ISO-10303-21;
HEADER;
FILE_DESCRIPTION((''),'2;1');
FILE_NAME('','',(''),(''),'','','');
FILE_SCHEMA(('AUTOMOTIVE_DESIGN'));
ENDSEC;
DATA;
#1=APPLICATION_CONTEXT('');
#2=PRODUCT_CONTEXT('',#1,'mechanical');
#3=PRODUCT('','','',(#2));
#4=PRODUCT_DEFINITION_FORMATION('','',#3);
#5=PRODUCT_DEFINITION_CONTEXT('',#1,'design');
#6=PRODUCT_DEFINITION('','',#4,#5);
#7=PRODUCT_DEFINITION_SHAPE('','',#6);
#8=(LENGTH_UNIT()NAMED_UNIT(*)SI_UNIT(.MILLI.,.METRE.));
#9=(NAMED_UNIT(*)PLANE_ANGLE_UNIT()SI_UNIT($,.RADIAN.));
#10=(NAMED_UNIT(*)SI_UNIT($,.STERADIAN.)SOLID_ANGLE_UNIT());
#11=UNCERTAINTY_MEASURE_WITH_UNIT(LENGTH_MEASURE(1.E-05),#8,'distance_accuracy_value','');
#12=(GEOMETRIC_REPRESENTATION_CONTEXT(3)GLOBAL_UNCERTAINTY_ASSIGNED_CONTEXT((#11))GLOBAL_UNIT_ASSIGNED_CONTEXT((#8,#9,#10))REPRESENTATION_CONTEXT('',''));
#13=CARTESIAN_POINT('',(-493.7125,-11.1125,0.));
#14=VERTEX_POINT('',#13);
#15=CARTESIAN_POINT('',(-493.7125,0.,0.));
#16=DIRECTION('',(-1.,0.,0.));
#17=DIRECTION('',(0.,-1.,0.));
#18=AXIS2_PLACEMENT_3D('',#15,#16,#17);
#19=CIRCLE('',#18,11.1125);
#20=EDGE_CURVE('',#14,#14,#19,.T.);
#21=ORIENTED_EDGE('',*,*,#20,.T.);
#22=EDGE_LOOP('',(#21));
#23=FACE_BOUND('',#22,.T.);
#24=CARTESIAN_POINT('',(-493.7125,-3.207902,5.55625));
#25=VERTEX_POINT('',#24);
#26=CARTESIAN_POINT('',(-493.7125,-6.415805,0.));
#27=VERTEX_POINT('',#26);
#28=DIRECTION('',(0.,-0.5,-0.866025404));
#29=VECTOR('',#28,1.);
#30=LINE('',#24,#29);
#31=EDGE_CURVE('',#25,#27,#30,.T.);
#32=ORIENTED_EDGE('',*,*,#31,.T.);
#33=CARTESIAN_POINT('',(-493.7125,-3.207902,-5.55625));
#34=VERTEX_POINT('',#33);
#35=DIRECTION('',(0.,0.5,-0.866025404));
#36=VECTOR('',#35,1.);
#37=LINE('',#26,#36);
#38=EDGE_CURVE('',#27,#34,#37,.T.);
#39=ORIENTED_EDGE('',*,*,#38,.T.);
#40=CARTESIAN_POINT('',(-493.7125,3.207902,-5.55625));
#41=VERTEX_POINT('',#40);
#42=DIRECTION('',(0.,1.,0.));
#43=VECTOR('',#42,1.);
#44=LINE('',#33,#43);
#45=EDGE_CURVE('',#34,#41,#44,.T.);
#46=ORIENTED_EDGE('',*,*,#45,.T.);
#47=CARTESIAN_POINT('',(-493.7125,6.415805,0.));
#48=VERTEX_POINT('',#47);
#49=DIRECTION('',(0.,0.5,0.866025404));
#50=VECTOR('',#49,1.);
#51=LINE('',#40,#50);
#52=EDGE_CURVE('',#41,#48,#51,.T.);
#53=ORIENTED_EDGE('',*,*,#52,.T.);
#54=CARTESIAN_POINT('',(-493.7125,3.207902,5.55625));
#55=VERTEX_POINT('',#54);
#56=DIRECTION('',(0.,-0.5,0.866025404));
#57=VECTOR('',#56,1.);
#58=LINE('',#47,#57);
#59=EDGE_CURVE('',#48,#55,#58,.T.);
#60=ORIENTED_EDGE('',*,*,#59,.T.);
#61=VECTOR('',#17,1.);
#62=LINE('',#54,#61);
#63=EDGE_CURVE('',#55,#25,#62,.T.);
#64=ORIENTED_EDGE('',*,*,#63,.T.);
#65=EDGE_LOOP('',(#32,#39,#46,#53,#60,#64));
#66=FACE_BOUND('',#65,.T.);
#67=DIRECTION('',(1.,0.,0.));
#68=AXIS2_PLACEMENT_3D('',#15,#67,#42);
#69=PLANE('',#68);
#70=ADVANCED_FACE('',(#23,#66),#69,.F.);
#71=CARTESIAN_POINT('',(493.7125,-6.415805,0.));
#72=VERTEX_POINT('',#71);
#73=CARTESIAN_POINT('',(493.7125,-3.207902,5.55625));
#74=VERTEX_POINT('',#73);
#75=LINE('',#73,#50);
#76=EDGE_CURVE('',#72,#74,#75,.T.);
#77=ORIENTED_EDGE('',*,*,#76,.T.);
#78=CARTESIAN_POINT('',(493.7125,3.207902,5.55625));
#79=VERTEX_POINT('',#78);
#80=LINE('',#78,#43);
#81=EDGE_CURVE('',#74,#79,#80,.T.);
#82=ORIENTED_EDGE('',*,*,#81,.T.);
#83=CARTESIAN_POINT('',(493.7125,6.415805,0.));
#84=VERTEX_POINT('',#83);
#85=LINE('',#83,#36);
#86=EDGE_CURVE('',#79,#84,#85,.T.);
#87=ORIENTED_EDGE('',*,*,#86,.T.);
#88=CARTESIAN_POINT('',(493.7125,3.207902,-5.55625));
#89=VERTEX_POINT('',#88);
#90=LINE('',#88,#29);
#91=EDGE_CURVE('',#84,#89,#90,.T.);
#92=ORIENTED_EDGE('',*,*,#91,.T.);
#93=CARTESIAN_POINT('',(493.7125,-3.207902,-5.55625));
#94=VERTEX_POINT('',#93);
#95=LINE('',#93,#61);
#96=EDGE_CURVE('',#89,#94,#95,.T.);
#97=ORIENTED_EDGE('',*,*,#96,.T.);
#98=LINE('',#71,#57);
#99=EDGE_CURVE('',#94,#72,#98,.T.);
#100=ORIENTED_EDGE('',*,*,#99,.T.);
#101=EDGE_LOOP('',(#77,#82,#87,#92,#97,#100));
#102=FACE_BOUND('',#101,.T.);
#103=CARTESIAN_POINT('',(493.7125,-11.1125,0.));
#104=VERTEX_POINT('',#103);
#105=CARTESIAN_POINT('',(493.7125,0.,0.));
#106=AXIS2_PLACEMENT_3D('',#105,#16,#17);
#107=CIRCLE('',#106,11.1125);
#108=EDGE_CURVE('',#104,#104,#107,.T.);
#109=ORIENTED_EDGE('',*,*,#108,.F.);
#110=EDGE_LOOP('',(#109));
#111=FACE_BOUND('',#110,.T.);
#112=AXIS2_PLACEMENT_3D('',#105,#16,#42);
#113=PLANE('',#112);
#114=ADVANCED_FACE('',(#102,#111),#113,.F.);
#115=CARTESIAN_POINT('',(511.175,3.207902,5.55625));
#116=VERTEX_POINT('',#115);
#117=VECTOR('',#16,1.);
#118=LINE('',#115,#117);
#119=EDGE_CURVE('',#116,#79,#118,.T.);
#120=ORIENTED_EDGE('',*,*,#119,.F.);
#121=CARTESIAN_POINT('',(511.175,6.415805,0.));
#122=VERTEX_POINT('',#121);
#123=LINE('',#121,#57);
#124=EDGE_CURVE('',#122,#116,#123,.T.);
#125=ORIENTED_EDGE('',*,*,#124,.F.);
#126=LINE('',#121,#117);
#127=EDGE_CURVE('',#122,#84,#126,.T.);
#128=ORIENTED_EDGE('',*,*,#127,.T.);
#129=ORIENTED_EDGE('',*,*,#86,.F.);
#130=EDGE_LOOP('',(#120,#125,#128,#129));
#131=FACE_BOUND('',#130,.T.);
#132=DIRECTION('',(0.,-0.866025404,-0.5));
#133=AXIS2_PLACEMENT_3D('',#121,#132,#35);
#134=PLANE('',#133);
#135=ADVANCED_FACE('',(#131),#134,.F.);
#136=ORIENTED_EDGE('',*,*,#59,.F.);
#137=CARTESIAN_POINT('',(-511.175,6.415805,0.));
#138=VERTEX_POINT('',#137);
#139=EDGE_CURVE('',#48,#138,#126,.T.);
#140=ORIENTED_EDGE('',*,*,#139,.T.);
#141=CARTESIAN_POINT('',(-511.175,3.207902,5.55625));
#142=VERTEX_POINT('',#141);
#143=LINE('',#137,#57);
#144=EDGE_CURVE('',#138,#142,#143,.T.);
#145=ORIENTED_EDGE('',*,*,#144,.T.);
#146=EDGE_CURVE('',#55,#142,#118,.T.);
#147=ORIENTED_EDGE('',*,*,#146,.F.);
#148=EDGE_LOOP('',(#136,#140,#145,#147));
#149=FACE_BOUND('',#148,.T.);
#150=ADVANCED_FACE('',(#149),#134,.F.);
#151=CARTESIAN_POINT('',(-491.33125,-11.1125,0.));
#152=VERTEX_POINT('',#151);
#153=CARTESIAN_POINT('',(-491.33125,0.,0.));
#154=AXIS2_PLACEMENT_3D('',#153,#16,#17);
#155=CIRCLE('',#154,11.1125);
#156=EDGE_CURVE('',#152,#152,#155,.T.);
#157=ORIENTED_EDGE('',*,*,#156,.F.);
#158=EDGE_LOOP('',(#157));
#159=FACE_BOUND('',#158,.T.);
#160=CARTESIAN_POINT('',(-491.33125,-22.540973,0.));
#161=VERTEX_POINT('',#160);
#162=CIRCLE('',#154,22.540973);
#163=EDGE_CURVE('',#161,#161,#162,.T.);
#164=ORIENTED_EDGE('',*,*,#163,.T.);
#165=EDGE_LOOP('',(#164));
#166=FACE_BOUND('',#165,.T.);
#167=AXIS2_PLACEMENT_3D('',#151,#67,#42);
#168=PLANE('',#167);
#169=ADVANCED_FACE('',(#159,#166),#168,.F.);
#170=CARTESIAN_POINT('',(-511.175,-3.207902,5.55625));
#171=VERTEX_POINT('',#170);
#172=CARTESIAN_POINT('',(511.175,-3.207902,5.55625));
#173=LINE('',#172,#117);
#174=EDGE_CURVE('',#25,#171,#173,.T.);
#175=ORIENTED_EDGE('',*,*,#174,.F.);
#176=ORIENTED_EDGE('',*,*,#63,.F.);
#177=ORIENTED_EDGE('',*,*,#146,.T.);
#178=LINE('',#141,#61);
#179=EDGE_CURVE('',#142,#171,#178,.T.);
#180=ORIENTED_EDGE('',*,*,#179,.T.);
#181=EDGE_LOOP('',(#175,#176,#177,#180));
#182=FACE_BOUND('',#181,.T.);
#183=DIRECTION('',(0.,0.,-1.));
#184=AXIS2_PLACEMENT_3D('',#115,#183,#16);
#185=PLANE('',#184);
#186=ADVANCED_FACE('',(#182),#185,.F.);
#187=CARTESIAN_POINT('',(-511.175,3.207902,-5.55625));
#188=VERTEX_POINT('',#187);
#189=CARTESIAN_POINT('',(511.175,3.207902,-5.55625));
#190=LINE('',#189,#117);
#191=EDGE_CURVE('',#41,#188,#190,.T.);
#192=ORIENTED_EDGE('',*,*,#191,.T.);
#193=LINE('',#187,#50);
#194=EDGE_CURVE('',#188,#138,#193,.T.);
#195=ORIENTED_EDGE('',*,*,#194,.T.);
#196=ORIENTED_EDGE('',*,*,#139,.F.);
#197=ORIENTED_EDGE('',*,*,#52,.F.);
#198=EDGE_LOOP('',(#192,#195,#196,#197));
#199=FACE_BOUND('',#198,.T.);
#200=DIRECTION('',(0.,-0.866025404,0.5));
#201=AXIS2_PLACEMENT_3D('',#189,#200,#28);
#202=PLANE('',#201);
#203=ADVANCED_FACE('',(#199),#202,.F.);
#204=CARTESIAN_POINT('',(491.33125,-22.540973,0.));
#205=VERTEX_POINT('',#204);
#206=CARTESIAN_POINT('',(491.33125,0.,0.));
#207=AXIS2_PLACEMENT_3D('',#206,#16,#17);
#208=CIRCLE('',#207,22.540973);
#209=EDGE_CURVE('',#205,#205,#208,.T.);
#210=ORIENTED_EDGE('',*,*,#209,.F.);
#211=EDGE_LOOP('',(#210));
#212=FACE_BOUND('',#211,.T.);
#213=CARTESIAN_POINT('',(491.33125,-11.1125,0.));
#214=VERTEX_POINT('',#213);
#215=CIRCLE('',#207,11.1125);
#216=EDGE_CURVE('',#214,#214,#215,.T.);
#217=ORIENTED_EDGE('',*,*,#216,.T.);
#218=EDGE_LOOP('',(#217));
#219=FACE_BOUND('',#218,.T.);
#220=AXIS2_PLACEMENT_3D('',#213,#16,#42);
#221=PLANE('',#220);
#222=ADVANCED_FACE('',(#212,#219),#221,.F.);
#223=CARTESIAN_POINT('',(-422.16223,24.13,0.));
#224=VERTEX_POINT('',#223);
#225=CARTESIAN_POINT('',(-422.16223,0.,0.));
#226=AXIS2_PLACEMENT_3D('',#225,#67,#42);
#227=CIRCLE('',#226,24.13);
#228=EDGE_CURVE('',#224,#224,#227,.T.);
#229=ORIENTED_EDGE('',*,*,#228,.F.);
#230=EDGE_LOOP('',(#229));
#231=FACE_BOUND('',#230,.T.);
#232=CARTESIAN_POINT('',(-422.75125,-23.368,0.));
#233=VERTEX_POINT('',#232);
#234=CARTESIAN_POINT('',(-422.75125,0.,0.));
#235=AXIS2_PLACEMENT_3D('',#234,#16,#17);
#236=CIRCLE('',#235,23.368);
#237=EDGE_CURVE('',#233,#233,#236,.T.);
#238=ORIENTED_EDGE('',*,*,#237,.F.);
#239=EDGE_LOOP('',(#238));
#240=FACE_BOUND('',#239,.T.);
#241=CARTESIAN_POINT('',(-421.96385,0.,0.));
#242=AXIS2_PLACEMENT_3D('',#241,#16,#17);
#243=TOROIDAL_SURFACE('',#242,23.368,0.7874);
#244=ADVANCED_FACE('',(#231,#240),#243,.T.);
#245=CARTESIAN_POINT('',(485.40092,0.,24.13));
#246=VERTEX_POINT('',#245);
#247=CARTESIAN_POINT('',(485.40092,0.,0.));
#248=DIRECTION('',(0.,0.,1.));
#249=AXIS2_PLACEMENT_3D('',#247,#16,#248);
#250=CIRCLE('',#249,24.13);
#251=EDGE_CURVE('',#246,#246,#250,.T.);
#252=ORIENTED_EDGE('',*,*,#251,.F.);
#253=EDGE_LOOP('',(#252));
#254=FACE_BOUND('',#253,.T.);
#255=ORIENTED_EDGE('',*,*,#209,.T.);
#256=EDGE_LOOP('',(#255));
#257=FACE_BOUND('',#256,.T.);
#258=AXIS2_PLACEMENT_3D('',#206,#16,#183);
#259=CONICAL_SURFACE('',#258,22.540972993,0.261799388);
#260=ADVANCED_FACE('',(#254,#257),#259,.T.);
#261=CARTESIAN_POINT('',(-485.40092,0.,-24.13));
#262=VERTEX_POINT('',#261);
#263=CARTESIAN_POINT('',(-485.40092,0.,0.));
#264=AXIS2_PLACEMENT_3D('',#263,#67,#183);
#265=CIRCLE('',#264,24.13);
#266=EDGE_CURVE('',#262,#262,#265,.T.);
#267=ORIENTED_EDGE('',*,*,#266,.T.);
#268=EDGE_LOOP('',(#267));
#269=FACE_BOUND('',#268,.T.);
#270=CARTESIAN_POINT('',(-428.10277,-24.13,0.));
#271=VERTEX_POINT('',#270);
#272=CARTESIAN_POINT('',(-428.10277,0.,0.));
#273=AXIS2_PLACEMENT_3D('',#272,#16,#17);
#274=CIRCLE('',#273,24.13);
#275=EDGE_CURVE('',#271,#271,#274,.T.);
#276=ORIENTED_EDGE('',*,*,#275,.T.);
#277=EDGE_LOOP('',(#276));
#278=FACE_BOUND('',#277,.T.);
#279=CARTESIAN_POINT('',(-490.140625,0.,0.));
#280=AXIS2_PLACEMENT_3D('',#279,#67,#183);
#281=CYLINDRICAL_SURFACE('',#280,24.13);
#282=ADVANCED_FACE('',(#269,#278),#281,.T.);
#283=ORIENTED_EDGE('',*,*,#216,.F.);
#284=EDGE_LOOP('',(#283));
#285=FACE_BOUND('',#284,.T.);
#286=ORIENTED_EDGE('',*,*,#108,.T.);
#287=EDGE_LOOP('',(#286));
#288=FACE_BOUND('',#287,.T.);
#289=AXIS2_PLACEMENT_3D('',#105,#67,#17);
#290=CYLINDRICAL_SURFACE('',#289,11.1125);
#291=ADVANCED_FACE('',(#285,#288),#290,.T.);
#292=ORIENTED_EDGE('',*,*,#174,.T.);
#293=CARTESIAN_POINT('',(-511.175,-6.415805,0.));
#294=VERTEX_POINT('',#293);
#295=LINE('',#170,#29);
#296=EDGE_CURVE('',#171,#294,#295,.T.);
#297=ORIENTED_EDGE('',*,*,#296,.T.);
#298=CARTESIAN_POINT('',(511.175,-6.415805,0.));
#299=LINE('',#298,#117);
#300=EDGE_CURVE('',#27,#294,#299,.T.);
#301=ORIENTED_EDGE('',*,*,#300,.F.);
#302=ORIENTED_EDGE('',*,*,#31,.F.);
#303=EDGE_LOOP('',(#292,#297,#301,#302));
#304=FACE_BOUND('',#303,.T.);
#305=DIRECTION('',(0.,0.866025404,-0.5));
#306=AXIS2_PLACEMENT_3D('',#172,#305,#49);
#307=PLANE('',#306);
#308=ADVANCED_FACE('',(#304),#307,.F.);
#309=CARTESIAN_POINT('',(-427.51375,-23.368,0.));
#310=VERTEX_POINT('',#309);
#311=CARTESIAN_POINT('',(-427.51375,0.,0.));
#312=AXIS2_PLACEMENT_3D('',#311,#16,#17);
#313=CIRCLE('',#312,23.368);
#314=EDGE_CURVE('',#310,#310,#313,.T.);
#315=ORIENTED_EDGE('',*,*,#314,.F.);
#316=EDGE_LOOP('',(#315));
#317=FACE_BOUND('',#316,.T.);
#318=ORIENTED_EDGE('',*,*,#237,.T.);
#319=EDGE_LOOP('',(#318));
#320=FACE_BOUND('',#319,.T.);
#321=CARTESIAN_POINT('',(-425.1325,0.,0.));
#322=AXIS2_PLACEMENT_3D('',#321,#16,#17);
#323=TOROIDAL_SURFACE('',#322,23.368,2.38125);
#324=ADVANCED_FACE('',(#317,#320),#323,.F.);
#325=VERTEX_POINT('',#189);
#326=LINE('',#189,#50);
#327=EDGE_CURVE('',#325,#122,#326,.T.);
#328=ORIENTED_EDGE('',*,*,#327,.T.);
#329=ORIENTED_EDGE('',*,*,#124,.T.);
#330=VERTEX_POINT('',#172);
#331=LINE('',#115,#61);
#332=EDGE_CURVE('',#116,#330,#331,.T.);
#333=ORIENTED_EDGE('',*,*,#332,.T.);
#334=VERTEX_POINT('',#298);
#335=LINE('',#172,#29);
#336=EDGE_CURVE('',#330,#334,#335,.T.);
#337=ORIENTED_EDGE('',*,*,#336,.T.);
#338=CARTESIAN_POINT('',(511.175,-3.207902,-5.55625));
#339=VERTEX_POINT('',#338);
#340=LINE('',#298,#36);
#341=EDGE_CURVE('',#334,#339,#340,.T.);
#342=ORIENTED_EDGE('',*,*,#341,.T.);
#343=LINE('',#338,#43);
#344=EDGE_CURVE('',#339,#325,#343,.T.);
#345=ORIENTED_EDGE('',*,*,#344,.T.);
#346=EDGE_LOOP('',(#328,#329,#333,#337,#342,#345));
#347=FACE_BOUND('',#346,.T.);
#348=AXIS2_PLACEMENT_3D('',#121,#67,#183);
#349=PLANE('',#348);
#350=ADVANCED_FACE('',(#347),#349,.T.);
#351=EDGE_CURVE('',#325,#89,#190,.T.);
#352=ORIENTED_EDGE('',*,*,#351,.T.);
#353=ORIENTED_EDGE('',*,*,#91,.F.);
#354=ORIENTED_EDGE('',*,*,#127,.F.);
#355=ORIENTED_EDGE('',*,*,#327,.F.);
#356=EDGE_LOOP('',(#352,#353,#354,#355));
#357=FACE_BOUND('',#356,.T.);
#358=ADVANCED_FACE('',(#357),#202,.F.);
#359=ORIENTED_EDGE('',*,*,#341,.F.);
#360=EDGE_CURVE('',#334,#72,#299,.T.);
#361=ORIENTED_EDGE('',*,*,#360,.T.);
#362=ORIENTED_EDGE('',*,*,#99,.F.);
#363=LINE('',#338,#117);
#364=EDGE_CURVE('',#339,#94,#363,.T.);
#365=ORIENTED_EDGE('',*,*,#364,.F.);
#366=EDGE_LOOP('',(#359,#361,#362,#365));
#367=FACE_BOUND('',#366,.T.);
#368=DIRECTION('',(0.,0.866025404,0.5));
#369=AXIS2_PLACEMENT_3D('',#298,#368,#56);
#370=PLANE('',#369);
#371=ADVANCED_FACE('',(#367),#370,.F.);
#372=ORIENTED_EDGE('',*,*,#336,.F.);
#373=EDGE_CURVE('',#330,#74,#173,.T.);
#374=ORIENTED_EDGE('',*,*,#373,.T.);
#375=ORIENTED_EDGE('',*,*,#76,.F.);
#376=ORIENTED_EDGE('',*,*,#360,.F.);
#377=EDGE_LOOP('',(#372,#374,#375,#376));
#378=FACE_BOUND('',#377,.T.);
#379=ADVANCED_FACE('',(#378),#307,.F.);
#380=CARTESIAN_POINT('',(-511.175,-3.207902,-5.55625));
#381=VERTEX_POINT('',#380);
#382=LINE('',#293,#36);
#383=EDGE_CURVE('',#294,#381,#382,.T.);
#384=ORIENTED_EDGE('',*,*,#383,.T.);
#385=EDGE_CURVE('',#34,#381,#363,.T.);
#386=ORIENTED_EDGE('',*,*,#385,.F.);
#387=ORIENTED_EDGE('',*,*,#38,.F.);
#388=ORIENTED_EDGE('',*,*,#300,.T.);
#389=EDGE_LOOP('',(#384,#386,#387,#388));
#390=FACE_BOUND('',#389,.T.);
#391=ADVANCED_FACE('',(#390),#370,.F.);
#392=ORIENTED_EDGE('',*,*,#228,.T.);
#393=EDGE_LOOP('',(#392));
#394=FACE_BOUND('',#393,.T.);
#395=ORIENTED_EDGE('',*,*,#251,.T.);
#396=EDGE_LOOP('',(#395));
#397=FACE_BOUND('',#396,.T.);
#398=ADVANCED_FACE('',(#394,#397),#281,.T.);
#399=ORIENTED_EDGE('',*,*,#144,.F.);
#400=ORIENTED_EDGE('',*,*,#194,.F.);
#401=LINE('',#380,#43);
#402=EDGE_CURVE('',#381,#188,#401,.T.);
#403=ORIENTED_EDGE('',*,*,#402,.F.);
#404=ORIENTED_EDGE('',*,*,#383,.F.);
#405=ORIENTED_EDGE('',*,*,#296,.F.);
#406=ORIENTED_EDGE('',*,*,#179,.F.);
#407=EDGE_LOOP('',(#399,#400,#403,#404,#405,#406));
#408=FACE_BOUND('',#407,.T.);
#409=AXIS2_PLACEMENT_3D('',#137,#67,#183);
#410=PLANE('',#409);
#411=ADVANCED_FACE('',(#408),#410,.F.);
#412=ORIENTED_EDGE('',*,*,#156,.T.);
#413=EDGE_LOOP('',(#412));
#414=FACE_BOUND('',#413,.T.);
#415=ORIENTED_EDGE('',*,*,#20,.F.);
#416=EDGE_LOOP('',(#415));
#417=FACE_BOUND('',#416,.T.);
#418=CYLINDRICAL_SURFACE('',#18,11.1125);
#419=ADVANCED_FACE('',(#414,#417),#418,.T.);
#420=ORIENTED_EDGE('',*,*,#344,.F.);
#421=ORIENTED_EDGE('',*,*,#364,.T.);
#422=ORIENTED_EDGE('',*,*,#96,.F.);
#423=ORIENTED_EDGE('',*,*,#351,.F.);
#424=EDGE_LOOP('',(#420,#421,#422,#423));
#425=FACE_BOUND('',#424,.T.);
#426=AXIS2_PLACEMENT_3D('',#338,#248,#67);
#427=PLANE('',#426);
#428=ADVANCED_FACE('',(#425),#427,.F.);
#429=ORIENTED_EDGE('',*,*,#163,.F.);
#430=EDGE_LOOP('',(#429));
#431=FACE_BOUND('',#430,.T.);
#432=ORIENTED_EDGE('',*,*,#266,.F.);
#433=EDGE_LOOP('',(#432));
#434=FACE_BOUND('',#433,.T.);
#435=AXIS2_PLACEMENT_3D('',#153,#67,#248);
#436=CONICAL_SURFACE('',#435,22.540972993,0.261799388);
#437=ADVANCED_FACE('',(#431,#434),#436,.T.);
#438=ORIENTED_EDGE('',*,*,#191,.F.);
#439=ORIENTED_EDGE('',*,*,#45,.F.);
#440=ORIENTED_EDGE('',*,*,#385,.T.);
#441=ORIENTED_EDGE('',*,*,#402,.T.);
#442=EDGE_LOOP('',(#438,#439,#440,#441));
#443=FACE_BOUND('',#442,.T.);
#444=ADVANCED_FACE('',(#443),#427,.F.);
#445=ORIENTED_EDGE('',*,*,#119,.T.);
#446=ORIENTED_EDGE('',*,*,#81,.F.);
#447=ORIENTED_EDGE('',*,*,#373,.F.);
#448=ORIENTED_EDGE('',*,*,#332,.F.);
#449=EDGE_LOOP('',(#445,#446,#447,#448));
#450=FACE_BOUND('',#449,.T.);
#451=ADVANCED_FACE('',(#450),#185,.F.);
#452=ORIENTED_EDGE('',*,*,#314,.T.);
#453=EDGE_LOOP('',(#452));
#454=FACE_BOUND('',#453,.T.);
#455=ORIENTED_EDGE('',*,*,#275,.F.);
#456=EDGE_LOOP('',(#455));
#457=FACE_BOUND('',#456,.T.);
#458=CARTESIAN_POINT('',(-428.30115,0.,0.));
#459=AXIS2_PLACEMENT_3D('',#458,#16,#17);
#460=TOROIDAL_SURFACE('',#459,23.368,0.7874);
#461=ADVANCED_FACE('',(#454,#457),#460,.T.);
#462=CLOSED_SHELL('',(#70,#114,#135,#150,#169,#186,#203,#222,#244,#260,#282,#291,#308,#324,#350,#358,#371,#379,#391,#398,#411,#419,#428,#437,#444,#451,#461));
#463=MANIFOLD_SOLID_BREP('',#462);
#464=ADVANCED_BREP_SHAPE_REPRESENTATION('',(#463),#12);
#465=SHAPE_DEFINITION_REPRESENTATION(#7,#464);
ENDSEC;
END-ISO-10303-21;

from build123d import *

# Parameters (mm, degrees)
BOSS_EXTRUDE1_DEPTH      = 490.140625
BOSS_EXTRUDE1_DEPTH_BACK = 490.140625
SKETCH3_R                = 24.13
SKETCH6_OUTSIDE_W        = 776.952
SKETCH6_OUTSIDE_H        = 776.952
SKETCH6_OUTSIDE_R        = 22.540972993
CUT_EXTRUDE2_DEPTH       = 986.634670258
CUT_EXTRUDE2_DRAFT       = -15
SKETCH7_OUTSIDE_W        = 776.952
SKETCH7_OUTSIDE_H        = 776.952
SKETCH7_OUTSIDE_R        = 22.540972993
CUT_EXTRUDE3_DEPTH       = 986.634670258
CUT_EXTRUDE3_DRAFT       = -15
BOSS_EXTRUDE2_DEPTH      = 511.175
BOSS_EXTRUDE2_DEPTH_BACK = 511.175


with BuildPart() as part:
    # Sketch2 → Revolve1 (revolve)
    with BuildSketch(Plane.XY, mode=Mode.PRIVATE) as revolve1_sk:
        Polygon((-493.7125, 0), (-493.7125, 11.1125), (-491.33125, 11.1125), (-491.33125, 22.540972993), (-490.140625, 22.86), (-490.140625, 0), align=None)
    revolve(revolve1_sk.sketch.rotate(Axis((-493.7125, 0, 0), (1, 0, 0)), 180), axis=Axis((-493.7125, 0, 0), (1, 0, 0)))


with BuildPart() as body_2:
    # Mirror2: mirrored copy
    add(part.part.mirror(Plane(origin=(0, 0, 0), x_dir=(0, 0, 1), z_dir=(1, 0, 0))))


with BuildPart() as body_3:
    # Sketch3 → Boss-Extrude1 (new, two sides: drawn at the far end of the back side and taken through both)
    with BuildSketch(Plane(origin=(0, 0, 0), x_dir=(0, 0, -1), z_dir=(1, 0, 0)).offset(-BOSS_EXTRUDE1_DEPTH_BACK)):
        Circle(SKETCH3_R)
    extrude(amount=BOSS_EXTRUDE1_DEPTH + BOSS_EXTRUDE1_DEPTH_BACK)


with BuildPart() as cut_extrude2_tool:
    # Sketch6 outside → Cut-Extrude2 (with draft: the straight prism first)
    with BuildSketch(Plane.ZY.offset(491.33125)):
        Rectangle(SKETCH6_OUTSIDE_W, SKETCH6_OUTSIDE_H)
        Circle(SKETCH6_OUTSIDE_R, mode=Mode.SUBTRACT)
    extrude(amount=-CUT_EXTRUDE2_DEPTH)
    # Cut-Extrude2: the draft: its side faces are tilted about the plane it starts from
    cut_extrude2_sides = [cut_extrude2_tool.faces().sort_by_distance(p)[0] for p in [
        (1.986085129, -388.476, 0),
        (1.986085129, 0, 388.476),
        (1.986085129, 388.476, 0),
        (1.986085129, 0, -388.476),
        (1.986085129, 0, -22.540972993),
    ]]
    draft(cut_extrude2_sides, Plane.ZY.offset(491.33125), CUT_EXTRUDE2_DRAFT)


with BuildPart() as body_3_1:
    add(body_3.part)

    # Cut-Extrude2: cut by cut_extrude2_tool
    add(cut_extrude2_tool.part, mode=Mode.SUBTRACT)


with BuildPart() as cut_extrude3_tool:
    # Sketch7 outside → Cut-Extrude3 (with draft: the straight prism first)
    with BuildSketch(Plane(origin=(491.33125, 0, 0), x_dir=(0, 0, -1), z_dir=(1, 0, 0))):
        Rectangle(SKETCH7_OUTSIDE_W, SKETCH7_OUTSIDE_H)
        Circle(SKETCH7_OUTSIDE_R, mode=Mode.SUBTRACT)
    extrude(amount=-CUT_EXTRUDE3_DEPTH)
    # Cut-Extrude3: the draft: its side faces are tilted about the plane it starts from
    cut_extrude3_sides = [cut_extrude3_tool.faces().sort_by_distance(p)[0] for p in [
        (-1.986085129, -388.476, 0),
        (-1.986085129, 0, -388.476),
        (-1.986085129, 388.476, 0),
        (-1.986085129, 0, 388.476),
        (-1.986085129, 0, 22.540972993),
    ]]
    draft(cut_extrude3_sides, Plane(origin=(491.33125, 0, 0), x_dir=(0, 0, -1), z_dir=(1, 0, 0)), CUT_EXTRUDE3_DRAFT)


with BuildPart() as body_3_2:
    add(body_3_1.part)

    # Cut-Extrude3: cut by cut_extrude3_tool
    add(cut_extrude3_tool.part, mode=Mode.SUBTRACT)


with BuildPart() as part_1:
    add(part.part)

    add(body_2.part)  # Boss-Extrude2 merges body 2

    add(body_3_2.part)  # Boss-Extrude2 merges body 3
    # Sketch4 → Boss-Extrude2 (add, two sides: drawn at the far end of the back side and taken through both)
    with BuildSketch(Plane(origin=(0, 0, 0), x_dir=(0, 0, -1), z_dir=(1, 0, 0)).offset(-BOSS_EXTRUDE2_DEPTH_BACK)):
        Polygon((0, 6.415804866), (-5.55625, 3.207902433), (-5.55625, -3.207902433), (0, -6.415804866), (5.55625, -3.207902433), (5.55625, 3.207902433), align=None)
    extrude(amount=BOSS_EXTRUDE2_DEPTH + BOSS_EXTRUDE2_DEPTH_BACK)

    # Sketch5 → Cut-Revolve1 (revolve, cut)
    with BuildSketch(Plane.XY, mode=Mode.PRIVATE) as cut_revolve1_sk:
        with BuildLine():
            Line((-428.30115, 24.1554), (-428.30115, 24.7904))
            Line((-428.30115, 24.7904), (-421.96385, 24.7904))
            Line((-421.96385, 24.7904), (-421.96385, 24.1554))
            ThreePointArc((-421.96385, 24.1554), (-422.52062588, 23.92477588), (-422.75125, 23.368))
            ThreePointArc((-422.75125, 23.368), (-425.1325, 20.98675), (-427.51375, 23.368))
            ThreePointArc((-427.51375, 23.368), (-427.74437412, 23.92477588), (-428.30115, 24.1554))
        make_face()
    revolve(cut_revolve1_sk.sketch.rotate(Axis((-511.175, 0, 0), (1, 0, 0)), 180), axis=Axis((-511.175, 0, 0), (1, 0, 0)), mode=Mode.SUBTRACT)


solid = part_1.part
